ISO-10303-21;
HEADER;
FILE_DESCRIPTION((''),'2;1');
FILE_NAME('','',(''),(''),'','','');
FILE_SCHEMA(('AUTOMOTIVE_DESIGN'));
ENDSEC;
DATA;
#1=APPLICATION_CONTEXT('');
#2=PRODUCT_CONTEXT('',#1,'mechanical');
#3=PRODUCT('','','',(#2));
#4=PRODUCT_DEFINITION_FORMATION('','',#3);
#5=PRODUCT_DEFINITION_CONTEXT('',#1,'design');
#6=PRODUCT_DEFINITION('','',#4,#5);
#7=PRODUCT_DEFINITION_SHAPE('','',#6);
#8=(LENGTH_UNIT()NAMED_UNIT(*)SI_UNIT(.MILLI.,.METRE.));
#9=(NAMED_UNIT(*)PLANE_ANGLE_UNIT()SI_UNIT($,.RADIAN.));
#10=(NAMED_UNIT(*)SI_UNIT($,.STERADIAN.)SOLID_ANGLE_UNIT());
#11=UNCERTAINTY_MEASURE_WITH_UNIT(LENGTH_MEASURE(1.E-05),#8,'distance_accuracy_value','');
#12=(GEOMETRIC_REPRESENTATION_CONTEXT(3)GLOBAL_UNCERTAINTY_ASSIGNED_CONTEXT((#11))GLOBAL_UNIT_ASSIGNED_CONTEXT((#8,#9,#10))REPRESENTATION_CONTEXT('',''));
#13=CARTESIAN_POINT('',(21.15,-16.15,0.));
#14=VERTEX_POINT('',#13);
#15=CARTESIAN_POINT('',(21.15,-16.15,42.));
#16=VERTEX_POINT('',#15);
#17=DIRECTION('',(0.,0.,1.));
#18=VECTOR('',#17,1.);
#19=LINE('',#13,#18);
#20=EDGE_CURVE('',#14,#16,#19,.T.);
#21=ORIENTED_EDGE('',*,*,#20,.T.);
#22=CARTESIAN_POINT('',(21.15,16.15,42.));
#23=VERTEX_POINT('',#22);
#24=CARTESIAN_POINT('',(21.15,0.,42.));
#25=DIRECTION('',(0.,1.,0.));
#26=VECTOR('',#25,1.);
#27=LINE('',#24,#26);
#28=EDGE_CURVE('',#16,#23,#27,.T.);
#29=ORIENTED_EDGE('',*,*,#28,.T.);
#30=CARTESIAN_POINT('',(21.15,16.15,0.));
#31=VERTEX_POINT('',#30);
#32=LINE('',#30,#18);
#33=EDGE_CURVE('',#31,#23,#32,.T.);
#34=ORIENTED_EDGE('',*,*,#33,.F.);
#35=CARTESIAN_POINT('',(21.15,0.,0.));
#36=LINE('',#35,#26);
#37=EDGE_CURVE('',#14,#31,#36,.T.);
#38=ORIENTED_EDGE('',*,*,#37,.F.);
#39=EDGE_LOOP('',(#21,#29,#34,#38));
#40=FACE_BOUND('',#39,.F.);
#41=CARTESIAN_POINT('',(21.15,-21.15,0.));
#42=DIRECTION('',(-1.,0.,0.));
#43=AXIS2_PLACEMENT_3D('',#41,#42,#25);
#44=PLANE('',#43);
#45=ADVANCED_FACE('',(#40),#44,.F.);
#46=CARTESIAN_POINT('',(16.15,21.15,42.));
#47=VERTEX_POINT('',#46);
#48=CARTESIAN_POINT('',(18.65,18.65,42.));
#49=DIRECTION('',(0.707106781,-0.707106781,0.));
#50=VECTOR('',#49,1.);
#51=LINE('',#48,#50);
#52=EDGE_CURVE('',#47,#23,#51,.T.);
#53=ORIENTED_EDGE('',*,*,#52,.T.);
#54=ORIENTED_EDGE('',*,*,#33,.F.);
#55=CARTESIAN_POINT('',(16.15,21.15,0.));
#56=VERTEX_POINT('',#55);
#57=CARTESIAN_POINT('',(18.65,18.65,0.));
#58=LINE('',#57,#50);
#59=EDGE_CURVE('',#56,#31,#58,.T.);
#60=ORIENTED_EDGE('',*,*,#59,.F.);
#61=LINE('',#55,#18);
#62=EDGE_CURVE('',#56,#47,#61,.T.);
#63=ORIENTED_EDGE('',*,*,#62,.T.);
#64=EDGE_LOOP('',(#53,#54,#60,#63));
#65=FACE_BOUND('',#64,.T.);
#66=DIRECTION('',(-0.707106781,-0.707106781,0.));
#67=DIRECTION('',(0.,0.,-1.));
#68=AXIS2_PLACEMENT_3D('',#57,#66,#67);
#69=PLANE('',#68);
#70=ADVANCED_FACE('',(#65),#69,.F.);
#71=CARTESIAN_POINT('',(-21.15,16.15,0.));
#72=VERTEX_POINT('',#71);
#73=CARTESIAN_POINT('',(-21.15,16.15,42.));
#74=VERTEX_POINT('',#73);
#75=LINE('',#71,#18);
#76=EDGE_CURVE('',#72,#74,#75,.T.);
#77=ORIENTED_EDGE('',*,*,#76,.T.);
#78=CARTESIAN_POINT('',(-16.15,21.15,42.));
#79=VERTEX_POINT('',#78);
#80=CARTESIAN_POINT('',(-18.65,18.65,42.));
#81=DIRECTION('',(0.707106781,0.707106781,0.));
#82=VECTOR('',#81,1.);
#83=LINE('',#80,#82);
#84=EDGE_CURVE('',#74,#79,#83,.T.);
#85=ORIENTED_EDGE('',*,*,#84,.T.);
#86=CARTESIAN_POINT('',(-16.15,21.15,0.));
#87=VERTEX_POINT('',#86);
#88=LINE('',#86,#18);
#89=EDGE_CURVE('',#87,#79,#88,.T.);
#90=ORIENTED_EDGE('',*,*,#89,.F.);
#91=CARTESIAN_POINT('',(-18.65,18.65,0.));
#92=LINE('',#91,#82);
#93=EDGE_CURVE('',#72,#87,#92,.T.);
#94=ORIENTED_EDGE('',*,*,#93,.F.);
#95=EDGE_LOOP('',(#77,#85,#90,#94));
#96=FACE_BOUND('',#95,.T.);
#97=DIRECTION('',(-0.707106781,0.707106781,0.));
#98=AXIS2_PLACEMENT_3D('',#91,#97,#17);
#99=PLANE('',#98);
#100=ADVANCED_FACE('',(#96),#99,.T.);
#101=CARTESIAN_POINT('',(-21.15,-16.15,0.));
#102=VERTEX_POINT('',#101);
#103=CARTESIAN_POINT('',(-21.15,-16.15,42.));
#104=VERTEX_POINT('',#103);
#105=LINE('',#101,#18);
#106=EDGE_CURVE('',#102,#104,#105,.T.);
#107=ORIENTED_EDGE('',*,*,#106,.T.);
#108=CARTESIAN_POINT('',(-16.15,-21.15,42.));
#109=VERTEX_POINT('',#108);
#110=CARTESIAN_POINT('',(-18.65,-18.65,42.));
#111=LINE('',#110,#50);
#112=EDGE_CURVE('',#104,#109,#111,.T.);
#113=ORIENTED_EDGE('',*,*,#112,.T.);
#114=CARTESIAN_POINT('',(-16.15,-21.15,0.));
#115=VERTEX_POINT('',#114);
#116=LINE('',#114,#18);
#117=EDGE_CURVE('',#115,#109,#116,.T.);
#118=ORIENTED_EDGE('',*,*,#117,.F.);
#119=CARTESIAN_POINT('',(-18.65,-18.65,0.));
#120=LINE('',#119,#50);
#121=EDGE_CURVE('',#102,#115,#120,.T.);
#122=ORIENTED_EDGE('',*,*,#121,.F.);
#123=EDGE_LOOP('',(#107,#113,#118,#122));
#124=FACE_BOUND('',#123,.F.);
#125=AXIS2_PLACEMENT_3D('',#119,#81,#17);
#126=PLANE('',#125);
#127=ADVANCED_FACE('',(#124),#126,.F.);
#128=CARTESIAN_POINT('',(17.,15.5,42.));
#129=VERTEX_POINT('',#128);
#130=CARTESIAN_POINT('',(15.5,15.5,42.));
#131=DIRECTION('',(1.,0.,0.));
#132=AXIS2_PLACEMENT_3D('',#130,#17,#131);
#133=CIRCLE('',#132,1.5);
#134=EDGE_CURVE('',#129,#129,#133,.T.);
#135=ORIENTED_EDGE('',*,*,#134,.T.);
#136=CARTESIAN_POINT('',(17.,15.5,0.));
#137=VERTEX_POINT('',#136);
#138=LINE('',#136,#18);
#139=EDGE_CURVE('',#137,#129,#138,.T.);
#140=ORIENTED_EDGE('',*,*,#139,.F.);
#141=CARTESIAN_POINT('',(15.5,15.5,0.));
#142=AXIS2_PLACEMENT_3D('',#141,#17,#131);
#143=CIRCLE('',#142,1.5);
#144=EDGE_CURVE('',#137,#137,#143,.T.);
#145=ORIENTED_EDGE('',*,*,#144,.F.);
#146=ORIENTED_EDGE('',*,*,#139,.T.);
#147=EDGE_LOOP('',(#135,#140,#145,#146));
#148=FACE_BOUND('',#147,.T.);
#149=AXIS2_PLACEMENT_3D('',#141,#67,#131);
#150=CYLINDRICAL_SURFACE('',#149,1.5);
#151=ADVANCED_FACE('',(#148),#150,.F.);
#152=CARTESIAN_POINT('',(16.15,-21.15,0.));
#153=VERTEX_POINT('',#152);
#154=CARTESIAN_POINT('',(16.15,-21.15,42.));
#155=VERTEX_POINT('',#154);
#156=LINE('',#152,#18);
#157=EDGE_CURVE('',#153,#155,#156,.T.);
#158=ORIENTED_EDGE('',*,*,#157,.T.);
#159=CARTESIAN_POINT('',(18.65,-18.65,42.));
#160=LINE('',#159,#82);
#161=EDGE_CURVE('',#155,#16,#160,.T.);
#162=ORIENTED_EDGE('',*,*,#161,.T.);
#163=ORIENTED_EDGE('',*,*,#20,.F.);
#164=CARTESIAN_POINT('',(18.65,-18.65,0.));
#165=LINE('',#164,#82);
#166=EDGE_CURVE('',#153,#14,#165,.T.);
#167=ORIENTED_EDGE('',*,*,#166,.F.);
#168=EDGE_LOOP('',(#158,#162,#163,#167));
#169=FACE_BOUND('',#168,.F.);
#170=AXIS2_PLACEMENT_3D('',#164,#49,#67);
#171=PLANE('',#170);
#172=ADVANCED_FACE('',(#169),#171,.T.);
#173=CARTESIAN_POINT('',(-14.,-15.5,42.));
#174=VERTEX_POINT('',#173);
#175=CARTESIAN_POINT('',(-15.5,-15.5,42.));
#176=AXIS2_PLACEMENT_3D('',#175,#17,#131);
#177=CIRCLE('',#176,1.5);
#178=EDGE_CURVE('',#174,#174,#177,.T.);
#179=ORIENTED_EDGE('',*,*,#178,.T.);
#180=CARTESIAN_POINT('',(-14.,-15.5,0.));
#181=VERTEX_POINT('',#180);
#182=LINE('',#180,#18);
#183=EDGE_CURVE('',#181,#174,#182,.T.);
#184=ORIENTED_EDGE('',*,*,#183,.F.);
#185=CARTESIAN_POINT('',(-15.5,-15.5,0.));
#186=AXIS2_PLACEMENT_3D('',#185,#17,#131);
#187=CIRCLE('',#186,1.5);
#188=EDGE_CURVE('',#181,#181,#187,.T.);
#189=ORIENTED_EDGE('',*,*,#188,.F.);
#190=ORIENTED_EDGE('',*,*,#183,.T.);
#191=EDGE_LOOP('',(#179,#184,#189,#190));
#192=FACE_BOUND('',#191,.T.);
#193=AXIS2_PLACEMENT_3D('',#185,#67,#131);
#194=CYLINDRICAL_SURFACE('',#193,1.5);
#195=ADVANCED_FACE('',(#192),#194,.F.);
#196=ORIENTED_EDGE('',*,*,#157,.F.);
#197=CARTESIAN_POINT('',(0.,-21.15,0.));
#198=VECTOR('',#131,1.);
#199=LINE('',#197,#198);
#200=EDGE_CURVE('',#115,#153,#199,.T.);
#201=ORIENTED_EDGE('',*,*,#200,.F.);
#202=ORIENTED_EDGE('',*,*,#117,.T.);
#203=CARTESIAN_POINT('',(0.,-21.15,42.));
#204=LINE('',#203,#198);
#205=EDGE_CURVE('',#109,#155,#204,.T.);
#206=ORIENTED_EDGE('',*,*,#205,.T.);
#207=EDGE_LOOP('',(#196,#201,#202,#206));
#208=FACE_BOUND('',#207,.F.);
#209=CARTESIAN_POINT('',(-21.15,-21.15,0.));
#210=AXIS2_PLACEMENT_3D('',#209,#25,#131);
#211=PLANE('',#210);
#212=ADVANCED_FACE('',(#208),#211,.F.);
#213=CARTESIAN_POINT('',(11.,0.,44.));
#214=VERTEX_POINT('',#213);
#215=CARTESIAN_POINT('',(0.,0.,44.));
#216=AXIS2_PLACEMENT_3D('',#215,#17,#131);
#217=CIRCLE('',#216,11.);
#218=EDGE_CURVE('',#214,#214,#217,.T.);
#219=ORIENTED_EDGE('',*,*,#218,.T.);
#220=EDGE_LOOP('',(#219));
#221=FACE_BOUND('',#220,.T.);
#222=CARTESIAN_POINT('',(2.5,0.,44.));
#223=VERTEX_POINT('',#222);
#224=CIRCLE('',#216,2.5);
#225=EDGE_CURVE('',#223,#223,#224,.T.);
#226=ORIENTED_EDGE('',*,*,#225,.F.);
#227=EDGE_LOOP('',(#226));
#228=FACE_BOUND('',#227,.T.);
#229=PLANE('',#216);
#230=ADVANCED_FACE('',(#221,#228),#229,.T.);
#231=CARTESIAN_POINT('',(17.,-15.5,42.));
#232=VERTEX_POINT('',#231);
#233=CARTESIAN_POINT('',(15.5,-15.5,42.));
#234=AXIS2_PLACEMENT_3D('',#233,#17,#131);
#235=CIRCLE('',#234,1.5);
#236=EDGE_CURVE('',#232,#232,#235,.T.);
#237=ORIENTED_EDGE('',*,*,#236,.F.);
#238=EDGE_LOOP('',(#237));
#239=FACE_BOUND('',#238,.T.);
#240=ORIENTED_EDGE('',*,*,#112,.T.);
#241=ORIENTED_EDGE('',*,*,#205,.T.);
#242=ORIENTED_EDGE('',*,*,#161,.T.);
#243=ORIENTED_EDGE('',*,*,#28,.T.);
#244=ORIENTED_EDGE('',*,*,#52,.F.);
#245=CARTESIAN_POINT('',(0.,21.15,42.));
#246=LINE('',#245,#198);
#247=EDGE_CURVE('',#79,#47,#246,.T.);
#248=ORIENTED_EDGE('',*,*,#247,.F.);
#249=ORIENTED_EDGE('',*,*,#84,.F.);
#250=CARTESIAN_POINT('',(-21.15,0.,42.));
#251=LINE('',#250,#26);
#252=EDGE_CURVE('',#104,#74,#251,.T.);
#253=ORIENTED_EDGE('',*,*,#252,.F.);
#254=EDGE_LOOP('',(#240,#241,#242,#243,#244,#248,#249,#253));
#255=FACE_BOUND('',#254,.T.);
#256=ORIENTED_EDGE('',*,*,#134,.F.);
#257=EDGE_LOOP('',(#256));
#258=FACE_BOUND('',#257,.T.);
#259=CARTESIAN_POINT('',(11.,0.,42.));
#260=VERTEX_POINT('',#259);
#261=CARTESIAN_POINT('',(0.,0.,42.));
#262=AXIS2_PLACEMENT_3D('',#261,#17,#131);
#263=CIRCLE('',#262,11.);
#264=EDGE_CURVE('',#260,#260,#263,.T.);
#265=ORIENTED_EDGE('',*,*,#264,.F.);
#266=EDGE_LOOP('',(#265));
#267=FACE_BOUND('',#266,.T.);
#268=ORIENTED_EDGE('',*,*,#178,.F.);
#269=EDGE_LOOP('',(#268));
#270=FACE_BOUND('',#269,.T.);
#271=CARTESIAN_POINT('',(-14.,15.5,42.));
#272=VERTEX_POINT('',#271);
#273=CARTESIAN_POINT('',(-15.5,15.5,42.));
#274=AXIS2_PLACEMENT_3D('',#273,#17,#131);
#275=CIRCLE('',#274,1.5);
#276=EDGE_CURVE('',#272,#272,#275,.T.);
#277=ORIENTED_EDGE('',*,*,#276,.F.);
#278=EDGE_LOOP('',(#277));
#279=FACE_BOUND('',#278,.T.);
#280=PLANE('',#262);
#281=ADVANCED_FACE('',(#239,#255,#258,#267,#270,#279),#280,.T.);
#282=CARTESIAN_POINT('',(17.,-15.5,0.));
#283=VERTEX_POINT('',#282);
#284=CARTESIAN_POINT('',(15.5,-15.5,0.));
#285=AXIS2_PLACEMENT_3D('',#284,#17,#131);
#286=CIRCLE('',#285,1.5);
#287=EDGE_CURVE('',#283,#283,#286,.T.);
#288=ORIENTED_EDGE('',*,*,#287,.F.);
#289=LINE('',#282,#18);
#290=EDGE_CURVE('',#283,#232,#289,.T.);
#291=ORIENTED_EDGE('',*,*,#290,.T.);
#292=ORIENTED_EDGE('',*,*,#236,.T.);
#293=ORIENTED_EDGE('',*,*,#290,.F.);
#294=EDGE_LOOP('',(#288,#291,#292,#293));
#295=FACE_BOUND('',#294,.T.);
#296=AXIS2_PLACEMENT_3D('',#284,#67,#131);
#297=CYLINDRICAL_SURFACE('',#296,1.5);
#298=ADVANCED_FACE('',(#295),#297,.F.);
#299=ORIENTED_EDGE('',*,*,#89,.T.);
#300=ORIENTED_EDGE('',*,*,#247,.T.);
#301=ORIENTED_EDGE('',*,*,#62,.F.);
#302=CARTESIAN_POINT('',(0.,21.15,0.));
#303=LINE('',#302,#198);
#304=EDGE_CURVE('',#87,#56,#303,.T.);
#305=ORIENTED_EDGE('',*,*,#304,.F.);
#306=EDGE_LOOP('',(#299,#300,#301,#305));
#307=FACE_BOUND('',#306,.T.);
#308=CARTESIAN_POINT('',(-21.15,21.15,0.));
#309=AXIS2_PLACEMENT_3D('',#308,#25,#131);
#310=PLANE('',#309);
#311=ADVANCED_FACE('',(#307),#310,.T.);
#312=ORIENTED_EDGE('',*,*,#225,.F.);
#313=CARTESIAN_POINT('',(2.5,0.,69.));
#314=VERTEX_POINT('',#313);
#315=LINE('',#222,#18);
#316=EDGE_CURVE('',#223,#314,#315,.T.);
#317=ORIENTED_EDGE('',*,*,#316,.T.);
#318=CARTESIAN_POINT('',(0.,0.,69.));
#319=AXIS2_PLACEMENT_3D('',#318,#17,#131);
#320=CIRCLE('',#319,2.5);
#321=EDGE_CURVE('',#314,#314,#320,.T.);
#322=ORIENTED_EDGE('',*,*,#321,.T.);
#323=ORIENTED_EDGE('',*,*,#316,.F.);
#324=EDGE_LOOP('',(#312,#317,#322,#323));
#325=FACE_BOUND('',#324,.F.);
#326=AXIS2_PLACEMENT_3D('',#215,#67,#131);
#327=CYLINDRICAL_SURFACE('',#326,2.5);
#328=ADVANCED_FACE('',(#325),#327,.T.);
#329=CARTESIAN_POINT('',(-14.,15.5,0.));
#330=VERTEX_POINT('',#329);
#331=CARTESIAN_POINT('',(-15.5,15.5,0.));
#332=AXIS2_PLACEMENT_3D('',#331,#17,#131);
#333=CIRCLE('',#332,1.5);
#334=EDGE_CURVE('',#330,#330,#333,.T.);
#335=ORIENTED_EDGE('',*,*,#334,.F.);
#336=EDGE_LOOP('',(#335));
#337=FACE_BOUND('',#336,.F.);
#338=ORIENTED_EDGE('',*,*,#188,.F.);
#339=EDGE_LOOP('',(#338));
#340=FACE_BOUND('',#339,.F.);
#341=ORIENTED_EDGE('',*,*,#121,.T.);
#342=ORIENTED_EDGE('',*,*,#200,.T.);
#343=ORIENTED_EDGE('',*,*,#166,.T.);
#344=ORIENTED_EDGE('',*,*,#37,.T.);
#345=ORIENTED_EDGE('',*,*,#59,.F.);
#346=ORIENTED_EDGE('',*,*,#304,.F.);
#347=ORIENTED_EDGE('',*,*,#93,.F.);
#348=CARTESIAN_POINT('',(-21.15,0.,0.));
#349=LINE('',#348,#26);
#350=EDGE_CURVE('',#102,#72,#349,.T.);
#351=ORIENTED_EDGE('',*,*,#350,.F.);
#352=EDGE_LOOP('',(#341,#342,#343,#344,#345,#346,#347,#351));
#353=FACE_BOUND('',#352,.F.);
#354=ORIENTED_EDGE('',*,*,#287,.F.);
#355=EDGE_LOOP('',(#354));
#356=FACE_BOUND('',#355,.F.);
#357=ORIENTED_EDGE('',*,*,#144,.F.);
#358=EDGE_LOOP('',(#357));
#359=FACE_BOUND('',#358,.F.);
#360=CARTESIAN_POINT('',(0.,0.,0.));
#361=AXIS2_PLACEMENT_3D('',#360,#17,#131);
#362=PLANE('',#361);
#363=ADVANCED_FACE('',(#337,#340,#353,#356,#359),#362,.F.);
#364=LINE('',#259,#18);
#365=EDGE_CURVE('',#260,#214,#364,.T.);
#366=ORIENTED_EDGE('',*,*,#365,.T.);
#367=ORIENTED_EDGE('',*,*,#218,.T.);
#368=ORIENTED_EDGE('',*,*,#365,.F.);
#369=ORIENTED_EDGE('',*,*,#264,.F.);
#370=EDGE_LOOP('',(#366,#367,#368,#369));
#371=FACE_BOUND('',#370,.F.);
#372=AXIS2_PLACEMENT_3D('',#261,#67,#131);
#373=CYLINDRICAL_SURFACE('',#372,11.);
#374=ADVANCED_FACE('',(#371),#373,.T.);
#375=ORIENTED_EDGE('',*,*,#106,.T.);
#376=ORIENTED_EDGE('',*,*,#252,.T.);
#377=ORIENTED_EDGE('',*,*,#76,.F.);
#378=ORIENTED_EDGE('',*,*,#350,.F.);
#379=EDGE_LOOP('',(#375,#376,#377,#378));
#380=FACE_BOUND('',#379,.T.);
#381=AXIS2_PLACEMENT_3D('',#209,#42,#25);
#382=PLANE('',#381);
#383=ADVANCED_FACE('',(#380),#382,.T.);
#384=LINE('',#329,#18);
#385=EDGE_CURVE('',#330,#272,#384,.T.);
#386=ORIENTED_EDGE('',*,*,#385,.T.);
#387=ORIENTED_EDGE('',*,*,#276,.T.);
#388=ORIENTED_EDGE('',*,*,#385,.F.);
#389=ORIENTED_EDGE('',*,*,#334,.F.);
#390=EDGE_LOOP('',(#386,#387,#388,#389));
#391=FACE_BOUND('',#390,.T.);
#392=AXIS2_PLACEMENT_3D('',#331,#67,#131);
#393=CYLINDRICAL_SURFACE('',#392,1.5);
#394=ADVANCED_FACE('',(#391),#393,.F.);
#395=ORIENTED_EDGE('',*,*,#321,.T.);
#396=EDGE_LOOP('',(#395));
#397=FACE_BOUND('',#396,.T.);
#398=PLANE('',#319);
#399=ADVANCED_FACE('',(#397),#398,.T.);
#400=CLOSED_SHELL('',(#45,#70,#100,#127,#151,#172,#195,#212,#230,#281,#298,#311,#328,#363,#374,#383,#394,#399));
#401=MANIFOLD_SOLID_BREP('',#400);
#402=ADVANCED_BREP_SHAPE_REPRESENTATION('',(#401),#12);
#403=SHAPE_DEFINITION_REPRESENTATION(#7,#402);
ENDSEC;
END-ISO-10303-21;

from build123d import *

# Parameters (mm, degrees)
F0_W     = 42.3
F0_H     = 42.3
F0_R     = 1.5
F1_DEPTH = 42
F2_R     = 11
F3_DEPTH = 2
F4_R     = 2.5
F5_DEPTH = 25
F6_SIZE  = 5


with BuildPart() as f1:
    # F0 (on Top) → F1 (new body)
    with BuildSketch(Plane.XY):
        Rectangle(F0_W, F0_H)
        with Locations((-15.5, -15.5)):
            Circle(F0_R, mode=Mode.SUBTRACT)
        with Locations((15.5, -15.5)):
            Circle(F0_R, mode=Mode.SUBTRACT)
        with Locations((-15.5, 15.5)):
            Circle(F0_R, mode=Mode.SUBTRACT)
        with Locations((15.5, 15.5)):
            Circle(F0_R, mode=Mode.SUBTRACT)
    extrude(amount=F1_DEPTH)

    # F2 (on face) → F3 (join)
    with BuildSketch(Plane.XY.offset(42)):
        Circle(F2_R)
    extrude(amount=F3_DEPTH)

    # F4 (on face) → F5 (join)
    with BuildSketch(Plane.XY.offset(44)):
        Circle(F4_R)
    extrude(amount=F5_DEPTH)

    # F6
    f6_edges = [f1.edges().sort_by_distance(p)[0] for p in [
        (-21.15, -21.15, 21),
        (21.15, -21.15, 21),
        (21.15, 21.15, 21),
        (-21.15, 21.15, 21),
    ]]
    chamfer(f6_edges, length=F6_SIZE)


solid = f1.part
